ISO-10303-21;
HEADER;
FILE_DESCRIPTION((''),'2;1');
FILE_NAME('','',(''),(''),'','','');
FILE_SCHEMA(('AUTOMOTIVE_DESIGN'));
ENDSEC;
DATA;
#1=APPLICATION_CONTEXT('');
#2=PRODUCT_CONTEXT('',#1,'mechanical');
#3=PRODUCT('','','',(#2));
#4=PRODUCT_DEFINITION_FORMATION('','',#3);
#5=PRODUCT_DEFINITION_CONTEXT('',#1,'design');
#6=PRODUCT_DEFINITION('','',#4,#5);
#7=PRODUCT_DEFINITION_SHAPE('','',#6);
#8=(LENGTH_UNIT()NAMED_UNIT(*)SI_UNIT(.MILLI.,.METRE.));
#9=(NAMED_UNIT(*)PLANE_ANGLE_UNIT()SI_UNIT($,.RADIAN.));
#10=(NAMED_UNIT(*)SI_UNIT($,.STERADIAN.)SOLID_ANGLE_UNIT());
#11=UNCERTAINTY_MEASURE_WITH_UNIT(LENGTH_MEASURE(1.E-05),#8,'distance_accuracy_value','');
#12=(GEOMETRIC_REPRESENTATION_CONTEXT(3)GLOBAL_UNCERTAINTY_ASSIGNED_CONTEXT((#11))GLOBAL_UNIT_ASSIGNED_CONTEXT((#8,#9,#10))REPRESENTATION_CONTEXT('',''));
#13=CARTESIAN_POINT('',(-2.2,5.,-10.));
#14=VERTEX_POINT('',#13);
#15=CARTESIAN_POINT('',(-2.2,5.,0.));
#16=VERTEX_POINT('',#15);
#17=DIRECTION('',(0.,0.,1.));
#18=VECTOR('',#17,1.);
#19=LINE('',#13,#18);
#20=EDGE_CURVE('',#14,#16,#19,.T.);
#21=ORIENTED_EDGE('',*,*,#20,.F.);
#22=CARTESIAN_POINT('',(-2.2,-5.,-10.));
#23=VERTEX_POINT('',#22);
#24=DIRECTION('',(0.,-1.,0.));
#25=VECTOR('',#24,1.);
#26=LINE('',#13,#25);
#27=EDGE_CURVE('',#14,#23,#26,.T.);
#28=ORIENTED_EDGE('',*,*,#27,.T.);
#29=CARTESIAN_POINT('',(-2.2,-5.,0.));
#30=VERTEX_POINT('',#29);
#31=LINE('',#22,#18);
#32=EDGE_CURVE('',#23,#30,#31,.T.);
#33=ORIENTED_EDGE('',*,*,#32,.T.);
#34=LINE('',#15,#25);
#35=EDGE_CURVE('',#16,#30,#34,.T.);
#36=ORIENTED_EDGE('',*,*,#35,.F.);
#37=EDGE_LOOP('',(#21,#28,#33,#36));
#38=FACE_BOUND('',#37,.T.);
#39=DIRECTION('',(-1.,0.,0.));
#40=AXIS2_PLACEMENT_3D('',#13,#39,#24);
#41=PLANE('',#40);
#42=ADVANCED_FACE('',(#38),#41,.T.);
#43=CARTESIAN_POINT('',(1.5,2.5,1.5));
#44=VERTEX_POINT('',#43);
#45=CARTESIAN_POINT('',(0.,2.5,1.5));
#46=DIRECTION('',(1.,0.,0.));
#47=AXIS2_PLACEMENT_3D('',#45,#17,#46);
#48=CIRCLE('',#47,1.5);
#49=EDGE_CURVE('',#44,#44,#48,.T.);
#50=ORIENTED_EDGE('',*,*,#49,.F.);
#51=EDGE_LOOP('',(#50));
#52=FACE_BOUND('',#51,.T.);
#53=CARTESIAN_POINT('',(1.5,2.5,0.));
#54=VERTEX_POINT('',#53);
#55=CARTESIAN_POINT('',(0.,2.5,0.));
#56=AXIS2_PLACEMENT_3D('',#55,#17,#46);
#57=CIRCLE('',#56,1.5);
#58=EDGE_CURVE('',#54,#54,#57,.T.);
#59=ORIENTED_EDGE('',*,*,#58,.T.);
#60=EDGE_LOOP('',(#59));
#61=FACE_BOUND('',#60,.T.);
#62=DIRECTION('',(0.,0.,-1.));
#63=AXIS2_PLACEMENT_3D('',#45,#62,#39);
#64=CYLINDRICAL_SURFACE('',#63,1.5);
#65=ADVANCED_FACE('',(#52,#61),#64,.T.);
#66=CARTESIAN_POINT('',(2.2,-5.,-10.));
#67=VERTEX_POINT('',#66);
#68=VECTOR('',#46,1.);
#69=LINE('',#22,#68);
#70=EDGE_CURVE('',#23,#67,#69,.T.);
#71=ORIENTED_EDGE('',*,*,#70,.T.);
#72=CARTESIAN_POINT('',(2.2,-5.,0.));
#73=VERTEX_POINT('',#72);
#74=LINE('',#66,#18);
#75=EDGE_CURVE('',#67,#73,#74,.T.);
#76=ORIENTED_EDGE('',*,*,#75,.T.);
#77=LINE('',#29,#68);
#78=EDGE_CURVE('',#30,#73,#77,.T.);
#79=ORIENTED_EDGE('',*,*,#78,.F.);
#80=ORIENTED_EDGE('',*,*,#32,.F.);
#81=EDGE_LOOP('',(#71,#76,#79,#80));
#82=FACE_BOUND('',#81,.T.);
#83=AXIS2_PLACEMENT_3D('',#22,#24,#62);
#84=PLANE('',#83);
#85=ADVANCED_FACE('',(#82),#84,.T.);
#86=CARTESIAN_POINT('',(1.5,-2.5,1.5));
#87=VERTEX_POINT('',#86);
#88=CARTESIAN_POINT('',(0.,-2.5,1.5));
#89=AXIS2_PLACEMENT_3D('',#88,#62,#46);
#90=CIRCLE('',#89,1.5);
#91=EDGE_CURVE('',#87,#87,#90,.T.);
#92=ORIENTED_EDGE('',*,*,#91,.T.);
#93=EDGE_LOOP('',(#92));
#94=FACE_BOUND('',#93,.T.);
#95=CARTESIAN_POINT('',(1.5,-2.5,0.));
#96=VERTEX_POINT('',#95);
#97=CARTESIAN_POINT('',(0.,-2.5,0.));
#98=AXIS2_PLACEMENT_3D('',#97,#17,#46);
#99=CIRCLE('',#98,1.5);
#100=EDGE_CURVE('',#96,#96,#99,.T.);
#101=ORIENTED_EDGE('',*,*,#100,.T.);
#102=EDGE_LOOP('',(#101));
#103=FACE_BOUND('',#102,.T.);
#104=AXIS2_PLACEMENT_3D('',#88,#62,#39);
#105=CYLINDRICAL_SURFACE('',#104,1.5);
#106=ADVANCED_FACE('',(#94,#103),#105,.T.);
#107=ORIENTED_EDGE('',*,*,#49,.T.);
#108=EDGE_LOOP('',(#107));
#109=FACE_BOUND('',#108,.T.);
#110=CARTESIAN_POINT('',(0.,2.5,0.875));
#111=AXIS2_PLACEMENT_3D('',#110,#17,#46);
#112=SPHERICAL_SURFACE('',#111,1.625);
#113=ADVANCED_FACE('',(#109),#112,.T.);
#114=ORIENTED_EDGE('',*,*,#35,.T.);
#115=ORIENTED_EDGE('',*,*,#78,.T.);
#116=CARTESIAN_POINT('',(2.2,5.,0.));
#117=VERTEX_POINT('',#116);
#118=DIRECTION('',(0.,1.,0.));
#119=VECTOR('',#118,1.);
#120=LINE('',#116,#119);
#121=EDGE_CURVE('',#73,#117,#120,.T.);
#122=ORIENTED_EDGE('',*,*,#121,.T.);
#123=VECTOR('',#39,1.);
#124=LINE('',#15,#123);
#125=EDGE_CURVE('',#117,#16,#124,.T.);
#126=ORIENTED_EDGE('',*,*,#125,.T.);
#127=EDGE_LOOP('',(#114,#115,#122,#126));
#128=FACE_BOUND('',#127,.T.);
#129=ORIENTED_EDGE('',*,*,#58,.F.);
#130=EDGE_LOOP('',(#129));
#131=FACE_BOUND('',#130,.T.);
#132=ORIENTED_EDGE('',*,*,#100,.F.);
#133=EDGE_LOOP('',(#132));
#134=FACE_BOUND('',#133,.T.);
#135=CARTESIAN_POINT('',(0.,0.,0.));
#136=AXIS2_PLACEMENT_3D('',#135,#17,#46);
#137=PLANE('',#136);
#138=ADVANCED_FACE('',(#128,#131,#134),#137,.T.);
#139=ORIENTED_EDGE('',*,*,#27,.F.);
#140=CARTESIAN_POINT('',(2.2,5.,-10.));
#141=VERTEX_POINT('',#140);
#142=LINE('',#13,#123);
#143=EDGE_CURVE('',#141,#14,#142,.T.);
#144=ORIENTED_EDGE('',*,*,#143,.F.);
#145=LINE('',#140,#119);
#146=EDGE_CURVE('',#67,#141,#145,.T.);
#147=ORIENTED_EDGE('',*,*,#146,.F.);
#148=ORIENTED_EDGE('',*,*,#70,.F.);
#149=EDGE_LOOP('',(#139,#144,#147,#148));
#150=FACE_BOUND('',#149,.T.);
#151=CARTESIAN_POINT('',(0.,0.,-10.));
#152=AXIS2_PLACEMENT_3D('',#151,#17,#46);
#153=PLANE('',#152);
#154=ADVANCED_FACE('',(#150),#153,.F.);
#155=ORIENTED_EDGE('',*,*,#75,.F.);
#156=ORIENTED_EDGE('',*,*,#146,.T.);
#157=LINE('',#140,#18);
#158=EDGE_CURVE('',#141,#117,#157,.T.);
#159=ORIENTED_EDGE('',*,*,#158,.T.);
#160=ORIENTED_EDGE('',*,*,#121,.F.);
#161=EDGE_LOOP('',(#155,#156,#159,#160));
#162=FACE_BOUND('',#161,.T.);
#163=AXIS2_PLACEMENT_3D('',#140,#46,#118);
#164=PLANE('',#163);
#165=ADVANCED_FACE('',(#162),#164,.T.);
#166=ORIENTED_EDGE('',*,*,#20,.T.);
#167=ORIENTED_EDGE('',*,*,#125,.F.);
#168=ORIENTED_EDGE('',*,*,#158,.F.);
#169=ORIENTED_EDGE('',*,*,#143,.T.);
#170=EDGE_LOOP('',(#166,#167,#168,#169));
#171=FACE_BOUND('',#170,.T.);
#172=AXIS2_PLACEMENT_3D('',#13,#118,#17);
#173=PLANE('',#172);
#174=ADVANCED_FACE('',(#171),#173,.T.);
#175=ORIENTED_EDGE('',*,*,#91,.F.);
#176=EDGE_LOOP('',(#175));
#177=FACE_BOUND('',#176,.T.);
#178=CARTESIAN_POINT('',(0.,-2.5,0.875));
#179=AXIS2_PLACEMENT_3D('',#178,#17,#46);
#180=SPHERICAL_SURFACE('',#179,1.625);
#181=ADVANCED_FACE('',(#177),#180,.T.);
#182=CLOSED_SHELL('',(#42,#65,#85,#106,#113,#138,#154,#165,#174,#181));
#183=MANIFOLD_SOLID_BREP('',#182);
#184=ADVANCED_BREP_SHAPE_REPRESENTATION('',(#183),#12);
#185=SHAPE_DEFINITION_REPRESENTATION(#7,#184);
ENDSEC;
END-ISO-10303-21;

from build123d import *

# Parameters (mm, degrees)
SKETCH1_W                  = 4.4
SKETCH1_H                  = 10
BOSS_EXTRUDE1_DEPTH        = 10
SKETCH2_R                  = 1.5
BOSS_EXTRUDE2_DEPTH        = 1.5
DOME1_FACE_RADIUS          = 1.5
DOME1_HEIGHT               = 1
MIRROR1_COPY_1_FACE_RADIUS = 1.5
MIRROR1_COPY_1_HEIGHT      = 1


with BuildPart() as part:
    # Sketch1 → Boss-Extrude1 (new body)
    with BuildSketch(Plane.XY):
        Rectangle(SKETCH1_W, SKETCH1_H)
    extrude(amount=-BOSS_EXTRUDE1_DEPTH)

    # Sketch2 → Boss-Extrude2 (add)
    with BuildSketch(Plane.XY):
        with Locations((0, 2.5)):
            Circle(SKETCH2_R)
    boss_extrude2 = extrude(amount=BOSS_EXTRUDE2_DEPTH)

    # Dome1: a dome of height H over a round flat face of radius A is a cap of a sphere of radius (A * A + H * H) / (2 * H)
    dome1_r = (DOME1_FACE_RADIUS * DOME1_FACE_RADIUS + DOME1_HEIGHT * DOME1_HEIGHT) / (2 * DOME1_HEIGHT)
    dome1_base = Plane((0, 2.5, 1.5), z_dir=(0, 0, 1))
    with Locations(dome1_base.offset(DOME1_HEIGHT - dome1_r)):
        dome1_ball = Sphere(dome1_r, mode=Mode.PRIVATE)
    add(split(dome1_ball, bisect_by=dome1_base, keep=Keep.TOP, mode=Mode.PRIVATE))

    # Mirror1: Boss-Extrude2 across plane
    add(boss_extrude2.mirror(Plane.ZX))

    # Mirror1 copy 1: a dome of height H over a round flat face of radius A is a cap of a sphere of radius (A * A + H * H) / (2 * H)
    mirror1_copy_1_r = (MIRROR1_COPY_1_FACE_RADIUS * MIRROR1_COPY_1_FACE_RADIUS + MIRROR1_COPY_1_HEIGHT * MIRROR1_COPY_1_HEIGHT) / (2 * MIRROR1_COPY_1_HEIGHT)
    mirror1_copy_1_base = Plane((0, -2.5, 1.5), z_dir=(0, 0, 1))
    with Locations(mirror1_copy_1_base.offset(MIRROR1_COPY_1_HEIGHT - mirror1_copy_1_r)):
        mirror1_copy_1_ball = Sphere(mirror1_copy_1_r, mode=Mode.PRIVATE)
    add(split(mirror1_copy_1_ball, bisect_by=mirror1_copy_1_base, keep=Keep.TOP, mode=Mode.PRIVATE))


solid = part.part
